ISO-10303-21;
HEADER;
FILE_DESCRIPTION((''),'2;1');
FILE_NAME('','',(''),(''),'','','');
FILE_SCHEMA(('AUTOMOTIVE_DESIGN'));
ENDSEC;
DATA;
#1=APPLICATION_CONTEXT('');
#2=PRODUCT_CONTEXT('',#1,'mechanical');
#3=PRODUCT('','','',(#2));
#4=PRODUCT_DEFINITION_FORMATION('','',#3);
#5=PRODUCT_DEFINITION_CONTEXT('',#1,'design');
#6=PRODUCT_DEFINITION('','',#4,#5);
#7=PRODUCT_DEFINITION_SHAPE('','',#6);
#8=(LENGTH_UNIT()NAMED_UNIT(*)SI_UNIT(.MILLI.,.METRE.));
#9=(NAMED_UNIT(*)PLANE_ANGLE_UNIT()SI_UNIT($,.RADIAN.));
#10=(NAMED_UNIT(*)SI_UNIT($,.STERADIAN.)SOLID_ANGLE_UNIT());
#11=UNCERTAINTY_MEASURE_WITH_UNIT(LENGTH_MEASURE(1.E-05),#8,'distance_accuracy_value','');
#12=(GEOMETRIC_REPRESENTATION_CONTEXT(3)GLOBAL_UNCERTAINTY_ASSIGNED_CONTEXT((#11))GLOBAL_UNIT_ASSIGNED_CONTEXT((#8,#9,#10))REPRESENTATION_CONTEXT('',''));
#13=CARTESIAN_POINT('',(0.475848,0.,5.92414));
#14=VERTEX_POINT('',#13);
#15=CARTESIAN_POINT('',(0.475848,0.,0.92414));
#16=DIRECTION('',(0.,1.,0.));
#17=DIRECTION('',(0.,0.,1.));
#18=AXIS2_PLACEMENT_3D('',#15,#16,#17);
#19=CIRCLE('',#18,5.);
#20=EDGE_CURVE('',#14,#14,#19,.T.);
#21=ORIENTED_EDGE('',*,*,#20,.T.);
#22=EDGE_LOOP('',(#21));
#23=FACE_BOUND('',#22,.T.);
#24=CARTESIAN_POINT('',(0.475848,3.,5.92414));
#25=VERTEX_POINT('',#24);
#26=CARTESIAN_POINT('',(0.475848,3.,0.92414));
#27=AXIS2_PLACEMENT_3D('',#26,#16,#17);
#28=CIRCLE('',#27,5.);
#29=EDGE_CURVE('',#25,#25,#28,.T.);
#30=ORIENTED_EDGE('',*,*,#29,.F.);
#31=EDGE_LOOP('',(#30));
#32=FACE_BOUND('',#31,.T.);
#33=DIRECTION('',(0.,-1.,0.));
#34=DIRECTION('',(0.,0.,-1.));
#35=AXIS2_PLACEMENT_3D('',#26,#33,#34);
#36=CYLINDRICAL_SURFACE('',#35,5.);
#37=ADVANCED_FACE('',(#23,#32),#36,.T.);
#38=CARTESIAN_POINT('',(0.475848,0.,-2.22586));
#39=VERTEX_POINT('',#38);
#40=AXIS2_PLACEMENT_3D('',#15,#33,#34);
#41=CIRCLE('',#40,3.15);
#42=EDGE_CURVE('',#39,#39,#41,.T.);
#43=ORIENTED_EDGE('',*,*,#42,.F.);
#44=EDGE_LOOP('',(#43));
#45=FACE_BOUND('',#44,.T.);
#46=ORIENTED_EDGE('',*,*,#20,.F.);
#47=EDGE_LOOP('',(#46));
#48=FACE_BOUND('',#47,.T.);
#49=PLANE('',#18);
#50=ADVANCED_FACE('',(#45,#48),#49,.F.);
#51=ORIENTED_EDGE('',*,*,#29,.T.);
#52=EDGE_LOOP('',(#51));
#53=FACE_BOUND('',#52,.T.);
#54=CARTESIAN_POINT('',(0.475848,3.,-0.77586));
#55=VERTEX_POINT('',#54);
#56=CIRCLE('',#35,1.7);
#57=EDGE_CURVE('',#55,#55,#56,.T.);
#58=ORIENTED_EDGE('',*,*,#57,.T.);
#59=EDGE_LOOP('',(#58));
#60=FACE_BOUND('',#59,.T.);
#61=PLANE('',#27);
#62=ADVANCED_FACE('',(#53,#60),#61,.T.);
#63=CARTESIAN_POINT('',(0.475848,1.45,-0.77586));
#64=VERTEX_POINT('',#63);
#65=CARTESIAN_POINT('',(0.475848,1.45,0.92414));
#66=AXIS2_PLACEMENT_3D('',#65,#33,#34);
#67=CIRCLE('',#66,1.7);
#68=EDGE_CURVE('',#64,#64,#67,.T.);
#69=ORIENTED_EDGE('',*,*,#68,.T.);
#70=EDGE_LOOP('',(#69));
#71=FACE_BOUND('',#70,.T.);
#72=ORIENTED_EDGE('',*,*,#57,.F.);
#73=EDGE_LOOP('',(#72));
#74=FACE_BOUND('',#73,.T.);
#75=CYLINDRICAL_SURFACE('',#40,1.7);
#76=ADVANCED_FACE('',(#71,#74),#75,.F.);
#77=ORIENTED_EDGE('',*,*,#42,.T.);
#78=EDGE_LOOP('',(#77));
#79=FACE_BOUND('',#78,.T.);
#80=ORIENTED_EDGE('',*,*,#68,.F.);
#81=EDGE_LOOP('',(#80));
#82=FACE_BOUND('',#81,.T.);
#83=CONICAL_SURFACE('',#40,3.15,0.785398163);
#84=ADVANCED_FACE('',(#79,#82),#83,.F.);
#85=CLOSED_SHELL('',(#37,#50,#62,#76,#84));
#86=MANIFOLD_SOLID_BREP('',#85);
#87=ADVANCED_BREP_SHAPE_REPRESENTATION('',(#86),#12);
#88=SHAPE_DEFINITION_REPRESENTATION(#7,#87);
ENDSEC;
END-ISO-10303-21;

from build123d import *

# Parameters (mm, degrees)
SKETCH1_R           = 5
BOSS_EXTRUDE1_DEPTH = 3


with BuildPart() as part:
    # Sketch1 → Boss-Extrude1 (new body)
    with BuildSketch(Plane(origin=(0, 0, 0), x_dir=(1, 0, 0), z_dir=(0, 1, 0))):
        with Locations(Location((0.475848056, -0.924139707, 0), (0, 0, 270))):
            Circle(SKETCH1_R)
    extrude(amount=BOSS_EXTRUDE1_DEPTH)

    # Sketch3 → CSK for M3 Flat Head Machine Screw1 (revolve, cut)
    with BuildSketch(Plane(origin=(0.475848056, 0, 0.924139707), x_dir=(0, 0, -1), z_dir=(1, 0, 0))):
        Polygon((0, 0), (0, 3), (1.7, 3), (1.7, 1.45), (3.15, 0), align=None)
    revolve(axis=Axis((0.475848056, -6.35, 0.924139707), (0, 1, 0)), mode=Mode.SUBTRACT)


solid = part.part
